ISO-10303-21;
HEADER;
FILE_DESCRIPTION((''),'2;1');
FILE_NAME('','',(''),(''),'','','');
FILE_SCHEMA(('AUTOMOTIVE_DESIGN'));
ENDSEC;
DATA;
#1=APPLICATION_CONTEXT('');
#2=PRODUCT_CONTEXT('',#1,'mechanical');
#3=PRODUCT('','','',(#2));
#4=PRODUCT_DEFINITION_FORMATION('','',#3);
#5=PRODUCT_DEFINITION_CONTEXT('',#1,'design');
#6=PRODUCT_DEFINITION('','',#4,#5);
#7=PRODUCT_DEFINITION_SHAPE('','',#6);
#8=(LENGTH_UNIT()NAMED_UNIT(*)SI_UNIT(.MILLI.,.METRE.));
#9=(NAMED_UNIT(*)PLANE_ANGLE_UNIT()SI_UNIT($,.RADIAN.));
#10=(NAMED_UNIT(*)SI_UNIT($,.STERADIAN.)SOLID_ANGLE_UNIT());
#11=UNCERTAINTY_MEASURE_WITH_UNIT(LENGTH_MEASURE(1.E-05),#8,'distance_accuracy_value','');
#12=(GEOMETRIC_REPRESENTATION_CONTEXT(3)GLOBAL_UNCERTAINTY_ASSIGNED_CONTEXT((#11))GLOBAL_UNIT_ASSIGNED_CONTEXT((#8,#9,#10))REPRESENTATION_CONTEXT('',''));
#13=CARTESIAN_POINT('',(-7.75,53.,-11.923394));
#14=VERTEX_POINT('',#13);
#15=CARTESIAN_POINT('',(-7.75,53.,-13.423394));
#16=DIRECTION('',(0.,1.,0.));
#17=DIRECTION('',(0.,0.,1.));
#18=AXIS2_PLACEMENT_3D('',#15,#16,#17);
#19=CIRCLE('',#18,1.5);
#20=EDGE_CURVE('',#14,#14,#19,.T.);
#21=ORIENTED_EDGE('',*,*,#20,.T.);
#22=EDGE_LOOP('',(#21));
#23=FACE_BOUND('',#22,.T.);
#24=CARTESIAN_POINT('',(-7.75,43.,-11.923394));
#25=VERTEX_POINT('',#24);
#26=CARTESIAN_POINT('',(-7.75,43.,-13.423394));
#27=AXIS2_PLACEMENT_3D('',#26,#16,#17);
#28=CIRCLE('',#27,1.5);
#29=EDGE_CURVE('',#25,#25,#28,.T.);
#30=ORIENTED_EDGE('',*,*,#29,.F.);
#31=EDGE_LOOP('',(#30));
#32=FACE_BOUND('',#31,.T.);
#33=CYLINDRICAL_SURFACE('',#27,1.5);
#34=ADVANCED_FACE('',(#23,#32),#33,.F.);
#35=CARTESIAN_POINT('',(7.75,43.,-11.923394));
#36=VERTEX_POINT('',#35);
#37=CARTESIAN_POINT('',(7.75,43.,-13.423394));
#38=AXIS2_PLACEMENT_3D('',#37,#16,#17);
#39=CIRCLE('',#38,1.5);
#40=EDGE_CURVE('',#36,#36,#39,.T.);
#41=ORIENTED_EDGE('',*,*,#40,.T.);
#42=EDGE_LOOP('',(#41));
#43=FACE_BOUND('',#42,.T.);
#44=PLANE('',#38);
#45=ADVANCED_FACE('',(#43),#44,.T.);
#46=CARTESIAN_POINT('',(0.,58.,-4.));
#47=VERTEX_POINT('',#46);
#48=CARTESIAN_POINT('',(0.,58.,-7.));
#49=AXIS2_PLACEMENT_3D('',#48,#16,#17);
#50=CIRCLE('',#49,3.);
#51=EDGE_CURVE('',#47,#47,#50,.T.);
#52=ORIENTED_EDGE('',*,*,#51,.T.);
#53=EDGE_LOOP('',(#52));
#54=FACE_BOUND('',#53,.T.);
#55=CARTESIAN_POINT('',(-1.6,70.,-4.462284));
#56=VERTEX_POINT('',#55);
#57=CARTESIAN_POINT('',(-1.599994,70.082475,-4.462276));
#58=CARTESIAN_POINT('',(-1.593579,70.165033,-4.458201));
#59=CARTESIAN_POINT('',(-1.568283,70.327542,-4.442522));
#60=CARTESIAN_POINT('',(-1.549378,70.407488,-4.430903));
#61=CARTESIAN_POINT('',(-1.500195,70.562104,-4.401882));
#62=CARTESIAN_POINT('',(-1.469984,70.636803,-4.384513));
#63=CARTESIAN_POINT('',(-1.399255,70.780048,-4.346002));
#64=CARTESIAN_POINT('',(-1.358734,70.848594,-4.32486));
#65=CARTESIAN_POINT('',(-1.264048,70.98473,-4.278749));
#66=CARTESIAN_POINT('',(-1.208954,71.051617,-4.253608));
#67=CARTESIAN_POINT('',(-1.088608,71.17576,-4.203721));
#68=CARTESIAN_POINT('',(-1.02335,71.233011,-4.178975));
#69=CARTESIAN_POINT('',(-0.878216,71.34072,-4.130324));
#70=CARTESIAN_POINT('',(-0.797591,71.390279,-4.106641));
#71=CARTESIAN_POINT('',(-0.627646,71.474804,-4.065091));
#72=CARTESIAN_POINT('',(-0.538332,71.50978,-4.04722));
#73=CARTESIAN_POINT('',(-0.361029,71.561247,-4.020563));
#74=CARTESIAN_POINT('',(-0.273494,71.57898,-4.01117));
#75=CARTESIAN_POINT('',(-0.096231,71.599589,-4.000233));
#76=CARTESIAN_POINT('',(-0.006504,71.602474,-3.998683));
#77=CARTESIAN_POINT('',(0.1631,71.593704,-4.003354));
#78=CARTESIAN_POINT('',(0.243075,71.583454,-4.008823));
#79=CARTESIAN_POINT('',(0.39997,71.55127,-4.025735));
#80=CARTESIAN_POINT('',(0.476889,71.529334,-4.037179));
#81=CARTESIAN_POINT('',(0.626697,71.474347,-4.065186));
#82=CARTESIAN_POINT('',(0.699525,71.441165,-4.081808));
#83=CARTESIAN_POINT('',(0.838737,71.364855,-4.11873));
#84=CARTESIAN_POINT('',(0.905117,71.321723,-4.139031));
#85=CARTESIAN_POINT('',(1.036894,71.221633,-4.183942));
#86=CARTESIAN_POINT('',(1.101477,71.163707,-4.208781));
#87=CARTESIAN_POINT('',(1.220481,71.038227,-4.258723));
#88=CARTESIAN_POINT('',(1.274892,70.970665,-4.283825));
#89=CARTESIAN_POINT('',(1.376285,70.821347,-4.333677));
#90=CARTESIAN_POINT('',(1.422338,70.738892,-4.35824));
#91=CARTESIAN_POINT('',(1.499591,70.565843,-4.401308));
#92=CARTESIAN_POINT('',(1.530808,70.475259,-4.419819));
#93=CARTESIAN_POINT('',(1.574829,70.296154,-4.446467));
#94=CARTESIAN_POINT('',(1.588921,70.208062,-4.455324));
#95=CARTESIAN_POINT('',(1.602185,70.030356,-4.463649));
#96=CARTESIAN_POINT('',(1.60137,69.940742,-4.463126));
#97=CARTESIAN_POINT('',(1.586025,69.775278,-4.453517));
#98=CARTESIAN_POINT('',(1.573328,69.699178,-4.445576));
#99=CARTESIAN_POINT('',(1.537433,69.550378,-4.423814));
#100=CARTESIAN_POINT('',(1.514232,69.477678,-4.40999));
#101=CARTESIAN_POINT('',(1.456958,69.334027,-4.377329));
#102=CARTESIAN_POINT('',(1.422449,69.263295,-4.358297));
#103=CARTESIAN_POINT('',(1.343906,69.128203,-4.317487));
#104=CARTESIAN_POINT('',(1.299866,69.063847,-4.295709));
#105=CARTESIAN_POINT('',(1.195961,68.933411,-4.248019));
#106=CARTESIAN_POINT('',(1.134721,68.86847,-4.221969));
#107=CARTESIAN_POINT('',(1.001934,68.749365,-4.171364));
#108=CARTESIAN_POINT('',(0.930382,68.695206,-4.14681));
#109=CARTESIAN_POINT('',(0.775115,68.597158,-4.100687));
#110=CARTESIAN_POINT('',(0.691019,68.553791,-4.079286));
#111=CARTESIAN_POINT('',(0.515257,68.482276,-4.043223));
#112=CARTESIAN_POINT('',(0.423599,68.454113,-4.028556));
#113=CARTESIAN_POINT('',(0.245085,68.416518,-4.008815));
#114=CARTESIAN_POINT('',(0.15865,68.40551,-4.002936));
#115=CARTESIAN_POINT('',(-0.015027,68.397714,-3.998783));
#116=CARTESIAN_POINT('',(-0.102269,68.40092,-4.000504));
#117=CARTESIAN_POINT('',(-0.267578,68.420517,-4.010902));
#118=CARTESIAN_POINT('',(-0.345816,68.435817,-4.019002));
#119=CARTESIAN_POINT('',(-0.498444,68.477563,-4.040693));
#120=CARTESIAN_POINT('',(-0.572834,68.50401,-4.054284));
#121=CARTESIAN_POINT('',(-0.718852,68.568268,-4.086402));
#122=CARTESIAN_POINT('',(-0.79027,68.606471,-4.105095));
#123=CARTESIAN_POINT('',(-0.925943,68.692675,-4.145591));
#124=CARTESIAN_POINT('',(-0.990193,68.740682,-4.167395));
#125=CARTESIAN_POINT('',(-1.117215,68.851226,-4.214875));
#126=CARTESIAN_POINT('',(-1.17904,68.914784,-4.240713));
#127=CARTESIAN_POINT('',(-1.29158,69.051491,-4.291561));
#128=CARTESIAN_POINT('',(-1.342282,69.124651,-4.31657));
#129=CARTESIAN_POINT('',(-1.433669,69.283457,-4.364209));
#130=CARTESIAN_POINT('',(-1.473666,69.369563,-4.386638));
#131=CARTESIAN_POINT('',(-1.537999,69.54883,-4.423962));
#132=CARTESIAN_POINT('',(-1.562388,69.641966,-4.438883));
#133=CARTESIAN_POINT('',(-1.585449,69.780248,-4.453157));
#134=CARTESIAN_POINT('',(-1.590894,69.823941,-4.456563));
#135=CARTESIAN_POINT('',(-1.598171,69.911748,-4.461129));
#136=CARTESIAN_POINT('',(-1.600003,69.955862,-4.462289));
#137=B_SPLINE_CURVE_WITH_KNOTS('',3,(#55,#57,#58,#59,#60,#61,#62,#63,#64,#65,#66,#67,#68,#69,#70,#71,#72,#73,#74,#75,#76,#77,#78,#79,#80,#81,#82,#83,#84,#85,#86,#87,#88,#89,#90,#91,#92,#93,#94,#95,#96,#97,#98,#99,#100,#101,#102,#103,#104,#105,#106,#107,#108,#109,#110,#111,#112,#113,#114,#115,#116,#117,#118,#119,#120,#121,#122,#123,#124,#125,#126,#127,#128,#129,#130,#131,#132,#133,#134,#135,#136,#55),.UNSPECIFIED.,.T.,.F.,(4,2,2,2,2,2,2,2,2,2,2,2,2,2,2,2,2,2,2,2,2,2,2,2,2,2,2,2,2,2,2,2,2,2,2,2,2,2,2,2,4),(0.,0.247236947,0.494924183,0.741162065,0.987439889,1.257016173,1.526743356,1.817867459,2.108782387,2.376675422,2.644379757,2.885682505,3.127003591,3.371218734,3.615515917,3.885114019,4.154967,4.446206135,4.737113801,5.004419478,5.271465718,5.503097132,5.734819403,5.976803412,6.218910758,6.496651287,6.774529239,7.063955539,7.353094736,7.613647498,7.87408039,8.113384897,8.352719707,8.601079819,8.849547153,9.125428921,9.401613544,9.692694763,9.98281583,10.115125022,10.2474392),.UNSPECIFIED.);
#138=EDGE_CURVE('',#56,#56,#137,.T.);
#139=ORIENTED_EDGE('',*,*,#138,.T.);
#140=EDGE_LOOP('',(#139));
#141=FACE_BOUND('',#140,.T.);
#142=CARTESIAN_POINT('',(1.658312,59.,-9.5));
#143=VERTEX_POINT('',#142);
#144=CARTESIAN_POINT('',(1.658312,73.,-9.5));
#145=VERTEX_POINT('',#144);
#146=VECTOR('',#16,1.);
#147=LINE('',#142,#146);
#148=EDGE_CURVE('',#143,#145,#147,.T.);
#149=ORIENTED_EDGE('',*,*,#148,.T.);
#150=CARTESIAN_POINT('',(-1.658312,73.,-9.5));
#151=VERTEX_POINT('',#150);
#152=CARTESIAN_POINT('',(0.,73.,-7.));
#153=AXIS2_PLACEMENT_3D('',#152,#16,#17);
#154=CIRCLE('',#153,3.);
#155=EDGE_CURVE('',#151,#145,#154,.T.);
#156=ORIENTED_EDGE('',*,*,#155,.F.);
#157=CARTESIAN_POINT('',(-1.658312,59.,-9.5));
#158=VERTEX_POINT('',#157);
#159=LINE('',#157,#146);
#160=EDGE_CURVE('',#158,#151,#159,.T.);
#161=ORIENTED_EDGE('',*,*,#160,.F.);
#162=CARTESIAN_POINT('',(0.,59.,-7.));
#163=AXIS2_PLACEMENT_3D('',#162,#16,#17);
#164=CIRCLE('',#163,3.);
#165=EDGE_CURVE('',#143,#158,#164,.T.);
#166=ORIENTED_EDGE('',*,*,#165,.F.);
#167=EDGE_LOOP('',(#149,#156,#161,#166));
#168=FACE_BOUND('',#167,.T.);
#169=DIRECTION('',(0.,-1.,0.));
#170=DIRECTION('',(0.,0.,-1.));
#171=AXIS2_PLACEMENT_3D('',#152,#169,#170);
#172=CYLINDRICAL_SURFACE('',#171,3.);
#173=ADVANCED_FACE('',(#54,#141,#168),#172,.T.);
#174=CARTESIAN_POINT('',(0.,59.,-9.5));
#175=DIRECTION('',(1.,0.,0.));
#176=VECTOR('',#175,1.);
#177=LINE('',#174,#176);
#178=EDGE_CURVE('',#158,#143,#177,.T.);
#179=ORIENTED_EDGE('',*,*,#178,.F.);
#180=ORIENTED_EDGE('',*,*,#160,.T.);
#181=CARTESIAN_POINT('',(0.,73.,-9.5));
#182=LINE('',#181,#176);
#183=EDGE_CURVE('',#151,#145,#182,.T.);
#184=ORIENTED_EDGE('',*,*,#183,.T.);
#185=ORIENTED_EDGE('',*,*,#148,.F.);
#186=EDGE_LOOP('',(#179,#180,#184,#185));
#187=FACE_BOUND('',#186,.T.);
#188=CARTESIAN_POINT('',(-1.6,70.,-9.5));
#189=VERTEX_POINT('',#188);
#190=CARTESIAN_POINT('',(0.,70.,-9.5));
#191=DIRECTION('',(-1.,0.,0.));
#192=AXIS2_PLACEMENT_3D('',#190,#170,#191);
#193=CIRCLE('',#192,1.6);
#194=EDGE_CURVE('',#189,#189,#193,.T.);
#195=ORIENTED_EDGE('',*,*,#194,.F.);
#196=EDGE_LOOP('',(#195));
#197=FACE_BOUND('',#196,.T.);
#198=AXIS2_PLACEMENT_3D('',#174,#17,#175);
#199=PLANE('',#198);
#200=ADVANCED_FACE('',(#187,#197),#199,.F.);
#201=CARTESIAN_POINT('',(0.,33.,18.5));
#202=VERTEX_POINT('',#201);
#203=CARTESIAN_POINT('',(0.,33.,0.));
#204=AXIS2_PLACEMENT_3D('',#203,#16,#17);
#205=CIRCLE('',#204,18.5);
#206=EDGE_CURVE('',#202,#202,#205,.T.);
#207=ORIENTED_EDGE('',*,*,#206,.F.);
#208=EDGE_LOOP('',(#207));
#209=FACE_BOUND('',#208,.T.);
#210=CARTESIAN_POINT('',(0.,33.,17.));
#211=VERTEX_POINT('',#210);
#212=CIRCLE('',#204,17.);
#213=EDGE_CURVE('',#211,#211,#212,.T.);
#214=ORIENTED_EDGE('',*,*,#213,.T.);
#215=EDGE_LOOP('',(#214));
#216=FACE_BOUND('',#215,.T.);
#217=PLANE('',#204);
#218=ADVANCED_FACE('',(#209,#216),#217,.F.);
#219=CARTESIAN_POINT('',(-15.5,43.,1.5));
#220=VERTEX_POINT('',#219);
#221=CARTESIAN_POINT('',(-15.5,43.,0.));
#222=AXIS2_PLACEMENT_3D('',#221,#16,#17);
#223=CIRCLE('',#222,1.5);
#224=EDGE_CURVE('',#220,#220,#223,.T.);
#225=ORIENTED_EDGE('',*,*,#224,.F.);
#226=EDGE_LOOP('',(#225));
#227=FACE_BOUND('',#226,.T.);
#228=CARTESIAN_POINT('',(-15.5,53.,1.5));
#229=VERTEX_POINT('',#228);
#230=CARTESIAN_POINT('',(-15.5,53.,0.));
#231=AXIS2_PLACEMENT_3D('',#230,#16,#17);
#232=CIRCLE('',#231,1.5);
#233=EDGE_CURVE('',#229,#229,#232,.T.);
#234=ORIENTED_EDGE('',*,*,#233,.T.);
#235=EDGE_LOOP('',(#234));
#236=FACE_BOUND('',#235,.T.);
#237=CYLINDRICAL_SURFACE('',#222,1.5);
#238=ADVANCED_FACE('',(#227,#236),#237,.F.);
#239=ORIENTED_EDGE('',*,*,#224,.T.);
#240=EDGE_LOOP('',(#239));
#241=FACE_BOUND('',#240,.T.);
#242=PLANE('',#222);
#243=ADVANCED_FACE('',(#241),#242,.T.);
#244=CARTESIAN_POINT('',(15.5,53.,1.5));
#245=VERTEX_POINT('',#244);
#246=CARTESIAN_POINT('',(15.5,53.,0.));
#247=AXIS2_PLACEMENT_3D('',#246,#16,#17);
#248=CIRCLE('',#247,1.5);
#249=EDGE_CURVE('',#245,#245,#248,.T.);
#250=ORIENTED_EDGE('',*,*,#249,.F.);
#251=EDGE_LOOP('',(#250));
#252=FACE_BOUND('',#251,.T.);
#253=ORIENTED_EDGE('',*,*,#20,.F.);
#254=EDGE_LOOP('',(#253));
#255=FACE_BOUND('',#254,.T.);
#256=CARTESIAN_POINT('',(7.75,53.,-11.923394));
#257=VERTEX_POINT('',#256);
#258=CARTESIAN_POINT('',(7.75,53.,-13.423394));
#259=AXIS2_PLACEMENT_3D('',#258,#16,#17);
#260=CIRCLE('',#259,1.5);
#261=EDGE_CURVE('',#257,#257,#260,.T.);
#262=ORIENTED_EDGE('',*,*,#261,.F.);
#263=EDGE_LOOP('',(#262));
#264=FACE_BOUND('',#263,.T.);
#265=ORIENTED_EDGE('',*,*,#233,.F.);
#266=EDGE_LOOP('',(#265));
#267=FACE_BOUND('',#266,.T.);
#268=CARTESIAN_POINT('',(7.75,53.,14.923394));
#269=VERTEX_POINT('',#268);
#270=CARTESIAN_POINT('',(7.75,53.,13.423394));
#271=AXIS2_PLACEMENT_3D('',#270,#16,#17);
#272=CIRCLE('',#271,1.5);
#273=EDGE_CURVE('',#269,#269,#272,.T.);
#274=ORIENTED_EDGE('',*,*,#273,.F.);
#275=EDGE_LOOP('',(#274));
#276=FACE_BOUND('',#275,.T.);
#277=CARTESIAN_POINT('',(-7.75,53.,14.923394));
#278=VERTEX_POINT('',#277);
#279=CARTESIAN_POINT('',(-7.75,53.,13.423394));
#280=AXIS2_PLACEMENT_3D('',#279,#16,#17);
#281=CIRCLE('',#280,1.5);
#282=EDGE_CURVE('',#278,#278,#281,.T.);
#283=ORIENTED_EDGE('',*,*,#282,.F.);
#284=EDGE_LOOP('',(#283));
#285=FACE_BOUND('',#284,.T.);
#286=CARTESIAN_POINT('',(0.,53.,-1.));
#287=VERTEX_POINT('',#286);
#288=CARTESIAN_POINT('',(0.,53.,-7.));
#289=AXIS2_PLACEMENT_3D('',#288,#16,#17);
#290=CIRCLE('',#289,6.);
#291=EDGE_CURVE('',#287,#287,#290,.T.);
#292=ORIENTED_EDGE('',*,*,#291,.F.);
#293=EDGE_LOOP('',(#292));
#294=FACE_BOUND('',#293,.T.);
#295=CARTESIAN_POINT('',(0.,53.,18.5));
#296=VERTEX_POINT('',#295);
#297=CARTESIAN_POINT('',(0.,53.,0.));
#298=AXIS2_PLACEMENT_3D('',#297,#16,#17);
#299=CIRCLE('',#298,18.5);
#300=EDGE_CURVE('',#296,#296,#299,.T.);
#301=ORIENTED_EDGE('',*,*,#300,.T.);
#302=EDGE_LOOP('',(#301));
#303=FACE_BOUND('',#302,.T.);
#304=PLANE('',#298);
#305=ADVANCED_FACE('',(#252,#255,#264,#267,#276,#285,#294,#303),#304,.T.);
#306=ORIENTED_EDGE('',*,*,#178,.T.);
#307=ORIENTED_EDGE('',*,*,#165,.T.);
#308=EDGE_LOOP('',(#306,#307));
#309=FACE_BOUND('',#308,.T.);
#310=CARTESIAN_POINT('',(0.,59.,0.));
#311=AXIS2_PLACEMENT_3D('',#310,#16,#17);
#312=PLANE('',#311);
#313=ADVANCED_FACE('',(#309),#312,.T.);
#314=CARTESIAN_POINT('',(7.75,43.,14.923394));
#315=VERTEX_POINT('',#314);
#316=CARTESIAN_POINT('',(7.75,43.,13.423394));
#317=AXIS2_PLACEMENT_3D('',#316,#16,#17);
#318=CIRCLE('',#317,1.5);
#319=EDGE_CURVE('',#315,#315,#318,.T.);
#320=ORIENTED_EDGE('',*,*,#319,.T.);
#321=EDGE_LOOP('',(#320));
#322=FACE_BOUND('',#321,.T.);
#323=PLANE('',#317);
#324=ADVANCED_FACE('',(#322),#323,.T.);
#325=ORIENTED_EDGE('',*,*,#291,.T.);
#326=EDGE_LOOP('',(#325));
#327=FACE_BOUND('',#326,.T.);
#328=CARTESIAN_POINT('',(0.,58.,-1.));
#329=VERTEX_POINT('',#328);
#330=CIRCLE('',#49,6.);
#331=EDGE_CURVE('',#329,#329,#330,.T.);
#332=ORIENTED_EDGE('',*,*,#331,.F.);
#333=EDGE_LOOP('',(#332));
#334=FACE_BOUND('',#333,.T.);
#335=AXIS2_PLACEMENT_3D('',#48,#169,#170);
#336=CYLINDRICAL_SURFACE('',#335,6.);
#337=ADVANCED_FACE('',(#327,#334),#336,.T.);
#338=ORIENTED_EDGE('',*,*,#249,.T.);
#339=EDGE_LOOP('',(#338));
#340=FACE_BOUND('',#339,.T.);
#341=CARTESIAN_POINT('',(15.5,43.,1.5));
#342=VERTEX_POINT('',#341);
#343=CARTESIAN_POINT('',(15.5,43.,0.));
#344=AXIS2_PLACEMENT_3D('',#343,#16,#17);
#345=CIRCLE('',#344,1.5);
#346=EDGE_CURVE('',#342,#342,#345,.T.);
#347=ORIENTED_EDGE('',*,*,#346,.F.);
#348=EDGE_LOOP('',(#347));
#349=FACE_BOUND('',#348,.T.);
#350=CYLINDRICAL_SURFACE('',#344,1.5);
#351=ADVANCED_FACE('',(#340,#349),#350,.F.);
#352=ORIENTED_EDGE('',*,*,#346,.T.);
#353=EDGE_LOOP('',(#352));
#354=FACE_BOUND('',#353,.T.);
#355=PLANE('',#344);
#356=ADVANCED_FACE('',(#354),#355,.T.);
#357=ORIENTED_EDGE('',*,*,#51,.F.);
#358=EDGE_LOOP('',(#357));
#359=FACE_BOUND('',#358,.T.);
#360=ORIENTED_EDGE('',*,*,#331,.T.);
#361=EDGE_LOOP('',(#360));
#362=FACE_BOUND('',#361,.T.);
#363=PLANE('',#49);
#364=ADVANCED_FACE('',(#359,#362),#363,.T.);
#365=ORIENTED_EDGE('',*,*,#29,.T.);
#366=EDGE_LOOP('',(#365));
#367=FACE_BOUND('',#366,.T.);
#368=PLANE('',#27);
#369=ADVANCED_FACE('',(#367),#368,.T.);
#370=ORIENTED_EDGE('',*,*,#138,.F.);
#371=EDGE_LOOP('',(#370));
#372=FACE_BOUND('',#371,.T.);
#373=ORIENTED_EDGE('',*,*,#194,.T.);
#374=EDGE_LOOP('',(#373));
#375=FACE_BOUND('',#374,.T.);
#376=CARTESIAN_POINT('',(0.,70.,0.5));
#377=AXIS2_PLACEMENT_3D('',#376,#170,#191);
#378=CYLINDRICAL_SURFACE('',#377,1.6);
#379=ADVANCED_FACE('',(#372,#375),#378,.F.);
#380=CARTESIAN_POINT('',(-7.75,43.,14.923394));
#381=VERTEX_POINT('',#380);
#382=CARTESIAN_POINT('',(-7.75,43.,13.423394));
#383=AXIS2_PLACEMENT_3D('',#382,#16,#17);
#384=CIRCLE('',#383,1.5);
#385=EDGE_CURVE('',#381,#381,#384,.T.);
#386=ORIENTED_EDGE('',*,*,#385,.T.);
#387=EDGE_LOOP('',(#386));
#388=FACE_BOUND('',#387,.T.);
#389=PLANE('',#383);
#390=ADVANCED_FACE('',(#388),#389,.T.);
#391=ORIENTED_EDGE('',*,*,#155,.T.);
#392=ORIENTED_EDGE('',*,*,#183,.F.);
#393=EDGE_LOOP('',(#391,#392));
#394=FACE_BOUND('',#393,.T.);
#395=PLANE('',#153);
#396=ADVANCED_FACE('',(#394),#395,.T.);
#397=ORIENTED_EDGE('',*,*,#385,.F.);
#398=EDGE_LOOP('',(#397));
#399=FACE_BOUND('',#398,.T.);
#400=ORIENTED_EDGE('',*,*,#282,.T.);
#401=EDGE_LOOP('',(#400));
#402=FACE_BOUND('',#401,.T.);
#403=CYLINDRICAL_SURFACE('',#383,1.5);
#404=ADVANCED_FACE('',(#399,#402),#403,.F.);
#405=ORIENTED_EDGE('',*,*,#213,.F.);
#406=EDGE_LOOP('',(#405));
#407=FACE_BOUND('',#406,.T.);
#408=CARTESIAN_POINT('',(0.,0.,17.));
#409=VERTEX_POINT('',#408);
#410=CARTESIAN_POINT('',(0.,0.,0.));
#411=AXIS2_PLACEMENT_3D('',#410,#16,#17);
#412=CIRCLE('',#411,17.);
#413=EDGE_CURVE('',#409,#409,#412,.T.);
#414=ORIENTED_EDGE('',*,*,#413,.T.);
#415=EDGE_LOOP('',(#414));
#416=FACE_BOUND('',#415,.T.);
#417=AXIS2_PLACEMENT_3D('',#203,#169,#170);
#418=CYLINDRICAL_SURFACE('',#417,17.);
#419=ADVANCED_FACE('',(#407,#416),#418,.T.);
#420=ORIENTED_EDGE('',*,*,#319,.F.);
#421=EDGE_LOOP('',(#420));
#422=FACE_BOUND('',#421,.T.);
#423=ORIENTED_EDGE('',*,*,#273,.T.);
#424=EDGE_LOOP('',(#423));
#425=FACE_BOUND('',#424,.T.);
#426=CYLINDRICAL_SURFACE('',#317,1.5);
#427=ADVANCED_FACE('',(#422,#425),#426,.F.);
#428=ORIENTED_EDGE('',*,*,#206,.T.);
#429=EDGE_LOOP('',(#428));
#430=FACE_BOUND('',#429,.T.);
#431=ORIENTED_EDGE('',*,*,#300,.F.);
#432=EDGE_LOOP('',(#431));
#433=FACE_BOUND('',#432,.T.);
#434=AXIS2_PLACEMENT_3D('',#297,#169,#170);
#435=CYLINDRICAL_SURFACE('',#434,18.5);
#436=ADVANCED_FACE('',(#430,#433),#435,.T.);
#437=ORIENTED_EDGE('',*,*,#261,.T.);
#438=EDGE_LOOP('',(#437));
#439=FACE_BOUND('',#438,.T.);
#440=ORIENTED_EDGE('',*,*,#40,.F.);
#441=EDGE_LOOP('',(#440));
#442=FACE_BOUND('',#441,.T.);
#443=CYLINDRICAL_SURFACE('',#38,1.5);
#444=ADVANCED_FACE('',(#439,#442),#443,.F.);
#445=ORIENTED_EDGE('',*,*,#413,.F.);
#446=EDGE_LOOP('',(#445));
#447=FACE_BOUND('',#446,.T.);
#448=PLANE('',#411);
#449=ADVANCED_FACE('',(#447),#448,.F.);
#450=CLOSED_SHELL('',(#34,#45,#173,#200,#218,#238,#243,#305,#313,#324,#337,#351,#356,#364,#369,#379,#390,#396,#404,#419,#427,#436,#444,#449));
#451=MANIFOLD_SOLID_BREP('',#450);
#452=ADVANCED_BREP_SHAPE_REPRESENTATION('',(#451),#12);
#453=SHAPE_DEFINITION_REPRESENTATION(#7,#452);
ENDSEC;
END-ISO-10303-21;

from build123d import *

# Parameters (mm, degrees)
SKETCH1_R           = 17
BOSS_EXTRUDE1_DEPTH = 33
SKETCH2_R           = 18.5
BOSS_EXTRUDE2_DEPTH = 20
SKETCH3_R           = 6
BOSS_EXTRUDE3_DEPTH = 5
SKETCH4_R           = 3
BOSS_EXTRUDE4_DEPTH = 15
CUT_EXTRUDE1_START  = -14
CUT_EXTRUDE1_DEPTH  = 14
SKETCH6_R           = 1.5
CUT_EXTRUDE2_DEPTH  = 10
SKETCH7_R           = 1.6
CUT_EXTRUDE3_DEPTH  = 10


with BuildPart() as part:
    # Sketch1 → Boss-Extrude1 (new body)
    with BuildSketch(Plane(origin=(0, 0, 0), x_dir=(1, 0, 0), z_dir=(0, 1, 0))):
        with Locations(Location((0, 0, 0), (0, 0, 270))):
            Circle(SKETCH1_R)
    extrude(amount=BOSS_EXTRUDE1_DEPTH)

    # Sketch2 → Boss-Extrude2 (add)
    with BuildSketch(Plane(origin=(0, 33, 0), x_dir=(1, 0, 0), z_dir=(0, 1, 0))):
        with Locations(Location((0, 0, 0), (0, 0, 270))):
            Circle(SKETCH2_R)
    extrude(amount=BOSS_EXTRUDE2_DEPTH)

    # Sketch3 → Boss-Extrude3 (add)
    with BuildSketch(Plane(origin=(0, 53, 0), x_dir=(1, 0, 0), z_dir=(0, 1, 0))):
        with Locations(Location((0, 7, 0), (0, 0, 270))):
            Circle(SKETCH3_R)
    extrude(amount=BOSS_EXTRUDE3_DEPTH)

    # Sketch4 → Boss-Extrude4 (add)
    with BuildSketch(Plane(origin=(0, 58, 0), x_dir=(1, 0, 0), z_dir=(0, 1, 0))):
        with Locations(Location((0, 7, 0), (0, 0, 270))):
            Circle(SKETCH4_R)
    extrude(amount=BOSS_EXTRUDE4_DEPTH)

    # Sketch5 → Cut-Extrude1 (cut)
    with BuildSketch(Plane(origin=(0, 73, 0), x_dir=(1, 0, 0), z_dir=(0, 1, 0)).offset(CUT_EXTRUDE1_START)):
        with BuildLine():
            Line((-1.658312395, 9.5), (1.658312395, 9.5))
            ThreePointArc((1.658312395, 9.5), (0, 10), (-1.658312395, 9.5))
        make_face()
    extrude(amount=CUT_EXTRUDE1_DEPTH, mode=Mode.SUBTRACT)

    # Sketch6 → Cut-Extrude2 (cut)
    with BuildSketch(Plane(origin=(0, 53, 0), x_dir=(1, 0, 0), z_dir=(0, 1, 0))):
        with Locations(Location((15.5, 0, 0), (0, 0, 270))):
            Circle(SKETCH6_R)
        with Locations(Location((-15.5, 0, 0), (0, 0, 270))):
            Circle(SKETCH6_R)
        with Locations(Location((-7.75, -13.423393759, 0), (0, 0, 270))):
            Circle(SKETCH6_R)
        with Locations(Location((7.75, -13.423393759, 0), (0, 0, 270))):
            Circle(SKETCH6_R)
        with Locations(Location((-7.75, 13.423393759, 0), (0, 0, 270))):
            Circle(SKETCH6_R)
        with Locations(Location((7.75, 13.423393759, 0), (0, 0, 270))):
            Circle(SKETCH6_R)
    extrude(amount=-CUT_EXTRUDE2_DEPTH, mode=Mode.SUBTRACT)

    # Sketch7 → Cut-Extrude3 (cut)
    with BuildSketch(Plane(origin=(0, 0, -9.5), x_dir=(-1, 0, 0), z_dir=(0, 0, -1))):
        with Locations((0, 70)):
            Circle(SKETCH7_R)
    extrude(amount=-CUT_EXTRUDE3_DEPTH, mode=Mode.SUBTRACT)


solid = part.part
